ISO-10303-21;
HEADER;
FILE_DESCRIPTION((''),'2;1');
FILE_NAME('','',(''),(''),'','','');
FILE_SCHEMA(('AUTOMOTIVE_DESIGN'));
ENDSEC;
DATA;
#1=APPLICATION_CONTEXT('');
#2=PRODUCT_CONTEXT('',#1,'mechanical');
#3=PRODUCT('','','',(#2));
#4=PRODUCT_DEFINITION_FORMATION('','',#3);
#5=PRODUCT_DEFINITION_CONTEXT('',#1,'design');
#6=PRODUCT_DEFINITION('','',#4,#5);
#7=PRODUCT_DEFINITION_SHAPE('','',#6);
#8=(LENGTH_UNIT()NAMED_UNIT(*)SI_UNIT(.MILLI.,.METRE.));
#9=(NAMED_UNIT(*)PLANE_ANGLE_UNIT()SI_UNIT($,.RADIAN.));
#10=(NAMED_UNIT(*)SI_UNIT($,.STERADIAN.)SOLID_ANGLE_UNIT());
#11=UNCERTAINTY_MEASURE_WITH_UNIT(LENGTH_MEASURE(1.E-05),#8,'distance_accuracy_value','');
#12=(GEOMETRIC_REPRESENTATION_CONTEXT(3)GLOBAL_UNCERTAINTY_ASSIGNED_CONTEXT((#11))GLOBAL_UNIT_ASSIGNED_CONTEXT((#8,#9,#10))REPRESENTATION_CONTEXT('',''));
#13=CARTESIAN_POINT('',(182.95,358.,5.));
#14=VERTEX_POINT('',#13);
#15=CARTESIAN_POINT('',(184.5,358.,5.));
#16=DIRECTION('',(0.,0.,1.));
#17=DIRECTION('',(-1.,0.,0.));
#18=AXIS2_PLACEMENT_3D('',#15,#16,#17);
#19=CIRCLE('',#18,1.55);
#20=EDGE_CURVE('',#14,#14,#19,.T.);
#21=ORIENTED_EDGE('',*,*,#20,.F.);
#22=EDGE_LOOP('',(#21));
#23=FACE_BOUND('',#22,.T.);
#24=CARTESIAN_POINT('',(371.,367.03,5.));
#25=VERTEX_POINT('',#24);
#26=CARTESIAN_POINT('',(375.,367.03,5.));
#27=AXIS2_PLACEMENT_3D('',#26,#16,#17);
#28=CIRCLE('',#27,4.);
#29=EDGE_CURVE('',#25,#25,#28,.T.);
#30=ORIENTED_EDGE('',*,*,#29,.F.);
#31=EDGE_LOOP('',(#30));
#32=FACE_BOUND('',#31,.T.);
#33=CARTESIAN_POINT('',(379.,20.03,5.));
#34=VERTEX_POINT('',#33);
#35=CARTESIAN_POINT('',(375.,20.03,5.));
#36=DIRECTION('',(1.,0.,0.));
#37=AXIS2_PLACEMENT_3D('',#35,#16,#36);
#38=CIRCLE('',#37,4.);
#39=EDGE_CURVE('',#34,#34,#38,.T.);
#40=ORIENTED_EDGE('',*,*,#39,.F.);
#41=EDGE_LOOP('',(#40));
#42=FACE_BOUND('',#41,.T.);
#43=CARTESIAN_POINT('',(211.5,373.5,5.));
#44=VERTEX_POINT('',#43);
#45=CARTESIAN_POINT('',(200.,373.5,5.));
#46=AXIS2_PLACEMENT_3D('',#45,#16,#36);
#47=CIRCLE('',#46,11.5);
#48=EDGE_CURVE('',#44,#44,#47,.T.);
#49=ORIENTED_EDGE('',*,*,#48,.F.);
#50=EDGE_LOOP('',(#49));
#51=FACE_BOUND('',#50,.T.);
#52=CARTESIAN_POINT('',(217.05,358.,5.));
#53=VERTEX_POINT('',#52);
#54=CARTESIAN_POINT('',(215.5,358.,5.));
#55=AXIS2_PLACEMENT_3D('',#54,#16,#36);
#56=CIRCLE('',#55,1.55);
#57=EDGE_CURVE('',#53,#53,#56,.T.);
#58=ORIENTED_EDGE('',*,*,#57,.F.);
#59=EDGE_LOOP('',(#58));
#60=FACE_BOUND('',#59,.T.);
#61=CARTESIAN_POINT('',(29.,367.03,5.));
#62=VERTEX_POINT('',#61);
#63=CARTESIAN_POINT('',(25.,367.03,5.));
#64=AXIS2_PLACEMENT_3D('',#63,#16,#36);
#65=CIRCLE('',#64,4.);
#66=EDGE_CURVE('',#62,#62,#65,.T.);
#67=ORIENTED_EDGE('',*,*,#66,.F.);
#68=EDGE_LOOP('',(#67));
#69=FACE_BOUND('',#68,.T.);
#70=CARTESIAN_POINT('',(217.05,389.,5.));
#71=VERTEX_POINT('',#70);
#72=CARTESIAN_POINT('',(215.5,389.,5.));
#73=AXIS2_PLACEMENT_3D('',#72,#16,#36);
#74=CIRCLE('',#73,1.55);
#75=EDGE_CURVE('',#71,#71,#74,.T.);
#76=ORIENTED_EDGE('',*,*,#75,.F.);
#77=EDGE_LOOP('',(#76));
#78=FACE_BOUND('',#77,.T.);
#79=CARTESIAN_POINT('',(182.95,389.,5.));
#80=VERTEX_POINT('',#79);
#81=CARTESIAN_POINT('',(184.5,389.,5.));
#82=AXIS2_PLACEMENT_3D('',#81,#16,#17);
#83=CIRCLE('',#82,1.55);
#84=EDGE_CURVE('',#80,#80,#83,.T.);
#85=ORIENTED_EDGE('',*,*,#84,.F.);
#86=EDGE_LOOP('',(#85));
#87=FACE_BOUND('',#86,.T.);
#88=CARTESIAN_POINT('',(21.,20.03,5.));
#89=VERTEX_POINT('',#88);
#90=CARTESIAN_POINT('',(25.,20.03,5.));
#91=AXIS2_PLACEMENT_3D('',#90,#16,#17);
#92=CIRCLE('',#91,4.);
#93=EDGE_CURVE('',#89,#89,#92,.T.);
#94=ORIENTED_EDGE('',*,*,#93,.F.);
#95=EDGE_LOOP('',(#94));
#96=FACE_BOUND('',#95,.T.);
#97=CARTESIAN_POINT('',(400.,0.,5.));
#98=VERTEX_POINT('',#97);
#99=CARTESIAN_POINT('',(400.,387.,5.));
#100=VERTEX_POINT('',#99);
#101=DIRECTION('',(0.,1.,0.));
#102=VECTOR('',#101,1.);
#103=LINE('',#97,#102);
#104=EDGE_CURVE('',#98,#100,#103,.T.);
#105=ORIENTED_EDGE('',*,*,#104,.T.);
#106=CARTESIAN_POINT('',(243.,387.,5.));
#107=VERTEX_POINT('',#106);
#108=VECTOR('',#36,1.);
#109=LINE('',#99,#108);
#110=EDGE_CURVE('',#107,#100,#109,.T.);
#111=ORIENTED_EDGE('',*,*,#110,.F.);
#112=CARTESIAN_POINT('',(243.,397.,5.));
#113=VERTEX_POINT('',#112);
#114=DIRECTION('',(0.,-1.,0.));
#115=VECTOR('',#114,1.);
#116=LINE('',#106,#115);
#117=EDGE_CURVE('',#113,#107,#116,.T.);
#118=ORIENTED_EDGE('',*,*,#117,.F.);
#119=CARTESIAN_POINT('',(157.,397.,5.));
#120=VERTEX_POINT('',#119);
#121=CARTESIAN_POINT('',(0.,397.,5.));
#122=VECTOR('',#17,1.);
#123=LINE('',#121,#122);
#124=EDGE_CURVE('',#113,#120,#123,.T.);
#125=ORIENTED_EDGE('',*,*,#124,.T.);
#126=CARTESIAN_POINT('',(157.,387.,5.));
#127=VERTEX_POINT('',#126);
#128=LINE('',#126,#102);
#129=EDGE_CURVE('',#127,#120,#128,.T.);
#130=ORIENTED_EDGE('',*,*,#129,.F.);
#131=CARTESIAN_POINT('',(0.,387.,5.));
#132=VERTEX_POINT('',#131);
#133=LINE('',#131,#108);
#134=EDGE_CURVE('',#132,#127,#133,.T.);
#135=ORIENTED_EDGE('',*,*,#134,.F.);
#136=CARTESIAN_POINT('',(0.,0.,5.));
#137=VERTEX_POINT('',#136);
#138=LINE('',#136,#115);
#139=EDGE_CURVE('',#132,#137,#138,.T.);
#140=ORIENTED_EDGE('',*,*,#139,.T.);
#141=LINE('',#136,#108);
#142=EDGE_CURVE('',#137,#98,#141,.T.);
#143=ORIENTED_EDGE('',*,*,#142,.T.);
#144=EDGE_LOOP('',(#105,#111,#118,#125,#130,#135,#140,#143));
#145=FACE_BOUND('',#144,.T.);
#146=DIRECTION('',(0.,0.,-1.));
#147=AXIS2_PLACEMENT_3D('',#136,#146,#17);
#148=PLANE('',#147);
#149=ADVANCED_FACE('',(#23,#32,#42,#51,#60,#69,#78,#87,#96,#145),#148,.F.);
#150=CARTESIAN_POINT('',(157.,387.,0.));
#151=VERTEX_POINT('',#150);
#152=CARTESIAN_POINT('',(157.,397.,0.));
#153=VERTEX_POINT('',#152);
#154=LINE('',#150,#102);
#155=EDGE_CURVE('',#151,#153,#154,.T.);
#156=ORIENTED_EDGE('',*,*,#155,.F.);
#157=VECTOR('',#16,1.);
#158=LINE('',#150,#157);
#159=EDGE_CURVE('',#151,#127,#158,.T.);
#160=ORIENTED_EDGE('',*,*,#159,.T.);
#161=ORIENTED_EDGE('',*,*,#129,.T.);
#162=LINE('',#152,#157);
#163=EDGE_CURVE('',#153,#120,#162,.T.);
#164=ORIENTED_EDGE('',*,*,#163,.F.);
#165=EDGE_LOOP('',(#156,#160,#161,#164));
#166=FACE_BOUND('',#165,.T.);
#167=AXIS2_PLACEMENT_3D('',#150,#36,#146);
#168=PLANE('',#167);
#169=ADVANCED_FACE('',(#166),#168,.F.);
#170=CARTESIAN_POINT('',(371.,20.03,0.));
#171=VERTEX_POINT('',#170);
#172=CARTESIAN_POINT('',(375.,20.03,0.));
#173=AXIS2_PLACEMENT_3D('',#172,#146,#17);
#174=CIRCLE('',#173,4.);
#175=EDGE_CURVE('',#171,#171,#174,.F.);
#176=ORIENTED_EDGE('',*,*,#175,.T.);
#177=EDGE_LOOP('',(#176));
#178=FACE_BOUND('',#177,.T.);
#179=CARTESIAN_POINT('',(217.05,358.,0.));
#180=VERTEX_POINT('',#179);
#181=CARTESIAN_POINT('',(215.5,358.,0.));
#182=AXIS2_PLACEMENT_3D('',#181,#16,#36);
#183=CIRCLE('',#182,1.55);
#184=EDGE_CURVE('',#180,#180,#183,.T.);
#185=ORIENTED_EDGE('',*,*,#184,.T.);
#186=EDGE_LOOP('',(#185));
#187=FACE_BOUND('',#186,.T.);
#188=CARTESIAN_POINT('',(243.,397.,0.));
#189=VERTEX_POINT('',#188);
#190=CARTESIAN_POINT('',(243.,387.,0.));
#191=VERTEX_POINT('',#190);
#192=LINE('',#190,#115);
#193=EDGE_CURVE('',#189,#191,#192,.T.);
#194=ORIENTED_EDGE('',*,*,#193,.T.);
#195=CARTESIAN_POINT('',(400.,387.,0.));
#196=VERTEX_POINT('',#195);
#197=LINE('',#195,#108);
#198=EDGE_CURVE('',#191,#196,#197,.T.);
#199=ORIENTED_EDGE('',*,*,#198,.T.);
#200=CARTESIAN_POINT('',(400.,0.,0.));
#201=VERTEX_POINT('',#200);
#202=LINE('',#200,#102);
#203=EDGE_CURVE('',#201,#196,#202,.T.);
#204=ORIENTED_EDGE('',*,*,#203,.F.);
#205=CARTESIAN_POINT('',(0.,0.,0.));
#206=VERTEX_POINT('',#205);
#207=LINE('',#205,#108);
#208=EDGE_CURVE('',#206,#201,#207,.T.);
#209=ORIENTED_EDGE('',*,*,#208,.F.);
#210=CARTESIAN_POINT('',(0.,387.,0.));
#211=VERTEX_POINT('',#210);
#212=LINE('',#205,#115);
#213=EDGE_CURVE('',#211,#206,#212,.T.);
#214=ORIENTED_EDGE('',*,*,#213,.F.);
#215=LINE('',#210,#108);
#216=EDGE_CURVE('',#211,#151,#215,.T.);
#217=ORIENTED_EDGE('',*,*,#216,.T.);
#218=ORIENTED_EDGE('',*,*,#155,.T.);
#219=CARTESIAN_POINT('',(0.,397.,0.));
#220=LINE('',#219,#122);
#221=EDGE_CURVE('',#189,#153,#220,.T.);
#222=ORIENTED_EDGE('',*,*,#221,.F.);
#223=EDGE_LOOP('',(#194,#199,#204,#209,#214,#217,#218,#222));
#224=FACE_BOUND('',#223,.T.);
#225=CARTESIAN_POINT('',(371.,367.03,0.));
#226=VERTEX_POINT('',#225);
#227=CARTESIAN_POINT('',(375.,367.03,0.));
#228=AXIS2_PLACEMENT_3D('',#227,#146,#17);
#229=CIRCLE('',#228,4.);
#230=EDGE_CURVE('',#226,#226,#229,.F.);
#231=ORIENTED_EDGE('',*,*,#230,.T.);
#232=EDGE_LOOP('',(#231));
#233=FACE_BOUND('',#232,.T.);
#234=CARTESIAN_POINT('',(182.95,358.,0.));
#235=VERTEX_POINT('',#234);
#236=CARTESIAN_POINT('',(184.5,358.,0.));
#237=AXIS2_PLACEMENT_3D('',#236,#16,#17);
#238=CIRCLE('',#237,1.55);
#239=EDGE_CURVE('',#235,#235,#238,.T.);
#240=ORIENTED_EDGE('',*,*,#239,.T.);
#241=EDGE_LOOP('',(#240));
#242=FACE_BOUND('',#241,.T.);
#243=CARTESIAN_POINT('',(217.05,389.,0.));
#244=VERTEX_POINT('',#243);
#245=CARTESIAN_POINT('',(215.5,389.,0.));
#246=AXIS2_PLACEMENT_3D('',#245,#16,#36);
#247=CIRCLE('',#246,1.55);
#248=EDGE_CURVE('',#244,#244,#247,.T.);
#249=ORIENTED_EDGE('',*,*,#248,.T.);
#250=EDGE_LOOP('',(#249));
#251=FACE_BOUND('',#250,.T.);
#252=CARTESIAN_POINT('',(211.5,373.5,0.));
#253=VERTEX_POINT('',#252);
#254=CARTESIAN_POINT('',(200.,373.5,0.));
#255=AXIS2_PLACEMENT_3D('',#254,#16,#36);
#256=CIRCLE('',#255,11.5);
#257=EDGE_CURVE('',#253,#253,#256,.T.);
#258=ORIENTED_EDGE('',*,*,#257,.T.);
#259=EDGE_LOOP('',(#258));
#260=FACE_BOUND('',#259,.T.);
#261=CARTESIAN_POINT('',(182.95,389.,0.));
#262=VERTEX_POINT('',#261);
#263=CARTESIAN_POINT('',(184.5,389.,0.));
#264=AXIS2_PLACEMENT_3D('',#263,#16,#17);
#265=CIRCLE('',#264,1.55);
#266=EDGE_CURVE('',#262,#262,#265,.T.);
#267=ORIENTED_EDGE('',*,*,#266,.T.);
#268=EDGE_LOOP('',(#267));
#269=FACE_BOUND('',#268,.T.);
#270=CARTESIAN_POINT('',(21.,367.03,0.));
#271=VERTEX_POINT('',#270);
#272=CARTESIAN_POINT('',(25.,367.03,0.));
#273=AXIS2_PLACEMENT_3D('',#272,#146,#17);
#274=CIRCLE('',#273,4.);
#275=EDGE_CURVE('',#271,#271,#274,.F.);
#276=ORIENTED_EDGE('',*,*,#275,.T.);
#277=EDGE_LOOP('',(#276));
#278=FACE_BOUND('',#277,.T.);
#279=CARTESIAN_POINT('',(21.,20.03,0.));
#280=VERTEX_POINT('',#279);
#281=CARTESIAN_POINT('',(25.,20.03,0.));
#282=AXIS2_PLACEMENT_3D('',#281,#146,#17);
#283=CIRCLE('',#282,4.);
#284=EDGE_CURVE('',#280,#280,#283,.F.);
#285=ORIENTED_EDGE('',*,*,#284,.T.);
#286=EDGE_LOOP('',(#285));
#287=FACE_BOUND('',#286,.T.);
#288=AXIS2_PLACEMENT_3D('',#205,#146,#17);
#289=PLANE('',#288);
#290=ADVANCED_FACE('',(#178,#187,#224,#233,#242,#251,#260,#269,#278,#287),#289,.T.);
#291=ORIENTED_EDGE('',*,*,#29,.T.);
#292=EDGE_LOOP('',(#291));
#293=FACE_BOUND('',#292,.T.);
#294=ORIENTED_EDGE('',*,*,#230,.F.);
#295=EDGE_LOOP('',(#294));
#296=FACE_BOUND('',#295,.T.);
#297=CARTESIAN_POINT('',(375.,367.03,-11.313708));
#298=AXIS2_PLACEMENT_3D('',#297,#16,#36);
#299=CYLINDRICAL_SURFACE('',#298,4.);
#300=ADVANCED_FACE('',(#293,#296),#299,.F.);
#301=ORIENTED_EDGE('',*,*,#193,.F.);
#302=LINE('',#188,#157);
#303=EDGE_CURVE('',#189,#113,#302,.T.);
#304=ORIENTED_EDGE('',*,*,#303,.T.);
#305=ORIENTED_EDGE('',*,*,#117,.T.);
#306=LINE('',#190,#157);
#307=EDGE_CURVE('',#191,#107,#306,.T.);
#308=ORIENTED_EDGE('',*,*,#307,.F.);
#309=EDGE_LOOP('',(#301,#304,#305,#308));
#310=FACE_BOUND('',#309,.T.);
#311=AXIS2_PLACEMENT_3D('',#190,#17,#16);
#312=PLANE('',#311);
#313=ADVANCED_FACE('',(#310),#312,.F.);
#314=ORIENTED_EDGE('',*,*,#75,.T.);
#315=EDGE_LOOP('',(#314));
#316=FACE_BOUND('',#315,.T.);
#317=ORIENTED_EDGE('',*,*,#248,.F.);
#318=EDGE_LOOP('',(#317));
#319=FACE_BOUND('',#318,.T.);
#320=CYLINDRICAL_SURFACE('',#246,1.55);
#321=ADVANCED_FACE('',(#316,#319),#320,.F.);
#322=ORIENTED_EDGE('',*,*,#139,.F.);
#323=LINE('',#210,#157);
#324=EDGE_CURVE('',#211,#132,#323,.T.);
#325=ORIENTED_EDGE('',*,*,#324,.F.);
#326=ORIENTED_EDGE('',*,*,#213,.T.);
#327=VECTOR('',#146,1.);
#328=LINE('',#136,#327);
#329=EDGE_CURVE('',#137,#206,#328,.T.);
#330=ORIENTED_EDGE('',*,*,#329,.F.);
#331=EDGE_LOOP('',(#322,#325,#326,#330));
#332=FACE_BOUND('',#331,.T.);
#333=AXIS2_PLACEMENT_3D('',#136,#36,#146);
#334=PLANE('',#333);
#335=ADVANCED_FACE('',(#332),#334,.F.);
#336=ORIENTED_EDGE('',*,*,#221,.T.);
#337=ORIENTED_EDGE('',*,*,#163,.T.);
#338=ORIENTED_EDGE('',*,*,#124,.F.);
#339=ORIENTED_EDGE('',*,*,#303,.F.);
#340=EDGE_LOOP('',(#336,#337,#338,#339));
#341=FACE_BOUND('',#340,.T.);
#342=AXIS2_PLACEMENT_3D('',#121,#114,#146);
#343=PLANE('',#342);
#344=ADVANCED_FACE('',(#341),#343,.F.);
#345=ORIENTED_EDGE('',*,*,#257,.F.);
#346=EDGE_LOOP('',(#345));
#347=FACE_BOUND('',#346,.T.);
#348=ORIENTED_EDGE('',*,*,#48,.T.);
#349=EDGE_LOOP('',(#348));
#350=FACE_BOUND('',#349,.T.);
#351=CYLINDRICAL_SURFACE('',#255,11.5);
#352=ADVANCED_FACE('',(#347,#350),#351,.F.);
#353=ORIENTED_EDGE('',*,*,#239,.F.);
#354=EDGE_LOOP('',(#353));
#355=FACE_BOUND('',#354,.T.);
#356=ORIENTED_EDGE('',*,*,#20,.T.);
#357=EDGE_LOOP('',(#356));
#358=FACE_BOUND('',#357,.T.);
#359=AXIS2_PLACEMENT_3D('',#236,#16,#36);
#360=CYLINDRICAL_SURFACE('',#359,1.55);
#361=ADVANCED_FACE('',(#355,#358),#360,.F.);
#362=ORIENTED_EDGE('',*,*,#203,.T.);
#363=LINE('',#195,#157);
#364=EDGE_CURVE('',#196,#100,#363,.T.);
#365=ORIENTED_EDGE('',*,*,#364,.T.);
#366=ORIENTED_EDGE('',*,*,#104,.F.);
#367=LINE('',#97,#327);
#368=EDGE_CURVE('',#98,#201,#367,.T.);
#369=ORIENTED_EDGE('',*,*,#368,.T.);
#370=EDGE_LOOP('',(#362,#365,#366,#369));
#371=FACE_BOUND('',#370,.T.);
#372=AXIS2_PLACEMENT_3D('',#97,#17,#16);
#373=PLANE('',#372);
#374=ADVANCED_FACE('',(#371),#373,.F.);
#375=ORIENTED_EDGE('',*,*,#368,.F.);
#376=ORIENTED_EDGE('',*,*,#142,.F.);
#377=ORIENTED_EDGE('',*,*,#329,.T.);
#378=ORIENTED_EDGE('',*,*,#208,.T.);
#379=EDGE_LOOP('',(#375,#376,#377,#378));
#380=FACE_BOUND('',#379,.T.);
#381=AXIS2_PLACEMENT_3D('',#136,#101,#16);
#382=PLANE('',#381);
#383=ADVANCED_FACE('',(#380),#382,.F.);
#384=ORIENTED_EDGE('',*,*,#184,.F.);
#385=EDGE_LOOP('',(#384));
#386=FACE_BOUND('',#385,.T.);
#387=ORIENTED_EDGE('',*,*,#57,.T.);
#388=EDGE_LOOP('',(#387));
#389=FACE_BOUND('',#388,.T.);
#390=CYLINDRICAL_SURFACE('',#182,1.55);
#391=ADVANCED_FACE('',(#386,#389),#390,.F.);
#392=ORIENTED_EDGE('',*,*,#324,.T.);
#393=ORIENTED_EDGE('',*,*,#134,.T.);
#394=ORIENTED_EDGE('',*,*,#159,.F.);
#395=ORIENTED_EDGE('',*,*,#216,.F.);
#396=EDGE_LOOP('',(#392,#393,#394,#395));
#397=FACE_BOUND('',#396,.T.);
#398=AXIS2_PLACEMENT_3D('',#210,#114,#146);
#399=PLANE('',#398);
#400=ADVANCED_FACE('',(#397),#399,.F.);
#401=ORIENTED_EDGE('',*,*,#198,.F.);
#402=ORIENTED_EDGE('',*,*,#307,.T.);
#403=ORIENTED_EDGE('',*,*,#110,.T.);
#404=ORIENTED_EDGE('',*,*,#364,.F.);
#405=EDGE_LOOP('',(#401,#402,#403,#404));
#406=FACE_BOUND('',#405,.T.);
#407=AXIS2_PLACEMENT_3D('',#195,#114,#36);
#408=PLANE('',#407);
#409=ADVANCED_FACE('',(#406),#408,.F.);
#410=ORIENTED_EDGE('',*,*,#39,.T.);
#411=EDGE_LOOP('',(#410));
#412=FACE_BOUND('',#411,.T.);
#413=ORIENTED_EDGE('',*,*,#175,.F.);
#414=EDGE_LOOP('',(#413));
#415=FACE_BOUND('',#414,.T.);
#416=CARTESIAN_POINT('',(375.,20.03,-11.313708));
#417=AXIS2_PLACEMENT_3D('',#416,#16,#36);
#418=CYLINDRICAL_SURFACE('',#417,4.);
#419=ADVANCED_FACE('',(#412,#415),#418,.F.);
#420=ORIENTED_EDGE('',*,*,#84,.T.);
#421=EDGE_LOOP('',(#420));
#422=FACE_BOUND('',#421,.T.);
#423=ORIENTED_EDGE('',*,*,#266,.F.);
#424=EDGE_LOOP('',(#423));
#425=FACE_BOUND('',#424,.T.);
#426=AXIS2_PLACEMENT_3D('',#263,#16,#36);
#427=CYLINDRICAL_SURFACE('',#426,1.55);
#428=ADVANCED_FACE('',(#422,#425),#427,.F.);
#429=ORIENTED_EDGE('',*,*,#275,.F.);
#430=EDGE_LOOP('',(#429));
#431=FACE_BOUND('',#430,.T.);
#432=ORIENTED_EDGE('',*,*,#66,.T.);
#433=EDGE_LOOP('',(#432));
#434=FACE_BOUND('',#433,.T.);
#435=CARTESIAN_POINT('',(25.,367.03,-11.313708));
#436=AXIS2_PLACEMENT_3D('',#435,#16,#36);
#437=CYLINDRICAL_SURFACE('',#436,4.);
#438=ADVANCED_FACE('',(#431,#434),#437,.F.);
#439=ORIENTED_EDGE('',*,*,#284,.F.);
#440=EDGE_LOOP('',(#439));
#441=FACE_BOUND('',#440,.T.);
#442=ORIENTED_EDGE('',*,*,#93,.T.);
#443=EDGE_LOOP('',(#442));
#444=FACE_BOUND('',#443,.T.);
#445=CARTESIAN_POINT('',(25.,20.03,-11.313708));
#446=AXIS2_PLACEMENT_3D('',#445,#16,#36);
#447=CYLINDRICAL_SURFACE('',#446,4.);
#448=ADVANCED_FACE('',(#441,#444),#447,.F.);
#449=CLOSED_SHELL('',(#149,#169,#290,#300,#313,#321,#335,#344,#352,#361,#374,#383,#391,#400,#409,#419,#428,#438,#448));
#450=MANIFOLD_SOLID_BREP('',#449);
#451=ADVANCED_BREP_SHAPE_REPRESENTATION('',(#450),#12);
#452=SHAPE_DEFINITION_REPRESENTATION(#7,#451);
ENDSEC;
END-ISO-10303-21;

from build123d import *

# Parameters (mm, degrees)
SKETCH1_W           = 400
SKETCH1_H           = 397
BOSS_EXTRUDE1_DEPTH = 5
SKETCH2_R           = 1.55
CUT_EXTRUDE1_DEPTH  = 6
SKETCH3_R           = 11.5
CUT_EXTRUDE2_DEPTH  = 6
SKETCH4_W           = 157
SKETCH4_H           = 10
CUT_EXTRUDE3_DEPTH  = 6
SKETCH5_R           = 4
CUT_EXTRUDE4_DEPTH  = 5


with BuildPart() as part:
    # Sketch1 → Boss-Extrude1 (new body)
    with BuildSketch(Plane.XY):
        with Locations((200, 198.5)):
            Rectangle(SKETCH1_W, SKETCH1_H)
    extrude(amount=BOSS_EXTRUDE1_DEPTH)

    # Sketch2 → Cut-Extrude1 (cut, through all)
    with BuildSketch(Plane.XY.offset(5)):
        with Locations((215.5, 389)):
            Circle(SKETCH2_R)
        with Locations((215.5, 358)):
            Circle(SKETCH2_R)
        with Locations((184.5, 358)):
            Circle(SKETCH2_R)
        with Locations((184.5, 389)):
            Circle(SKETCH2_R)
    extrude(amount=-CUT_EXTRUDE1_DEPTH, mode=Mode.SUBTRACT)

    # Sketch3 → Cut-Extrude2 (cut, through all)
    with BuildSketch(Plane.XY.offset(5)):
        with Locations((200, 373.5)):
            Circle(SKETCH3_R)
    extrude(amount=-CUT_EXTRUDE2_DEPTH, mode=Mode.SUBTRACT)

    # Sketch4 → Cut-Extrude3 (cut, through all)
    with BuildSketch(Plane.XY.offset(5)):
        with Locations((321.5, 392)):
            Rectangle(SKETCH4_W, SKETCH4_H)
        with Locations((78.5, 392)):
            Rectangle(SKETCH4_W, SKETCH4_H)
    extrude(amount=-CUT_EXTRUDE3_DEPTH, mode=Mode.SUBTRACT)

    # Sketch5 → Cut-Extrude4 (cut)
    with BuildSketch(Plane.XY.offset(5)):
        with Locations((25, 367.03)):
            Circle(SKETCH5_R)
        with Locations((25, 20.03)):
            Circle(SKETCH5_R)
        with Locations((375, 20.03)):
            Circle(SKETCH5_R)
        with Locations((375, 367.03)):
            Circle(SKETCH5_R)
    extrude(amount=-CUT_EXTRUDE4_DEPTH, mode=Mode.SUBTRACT)


solid = part.part
